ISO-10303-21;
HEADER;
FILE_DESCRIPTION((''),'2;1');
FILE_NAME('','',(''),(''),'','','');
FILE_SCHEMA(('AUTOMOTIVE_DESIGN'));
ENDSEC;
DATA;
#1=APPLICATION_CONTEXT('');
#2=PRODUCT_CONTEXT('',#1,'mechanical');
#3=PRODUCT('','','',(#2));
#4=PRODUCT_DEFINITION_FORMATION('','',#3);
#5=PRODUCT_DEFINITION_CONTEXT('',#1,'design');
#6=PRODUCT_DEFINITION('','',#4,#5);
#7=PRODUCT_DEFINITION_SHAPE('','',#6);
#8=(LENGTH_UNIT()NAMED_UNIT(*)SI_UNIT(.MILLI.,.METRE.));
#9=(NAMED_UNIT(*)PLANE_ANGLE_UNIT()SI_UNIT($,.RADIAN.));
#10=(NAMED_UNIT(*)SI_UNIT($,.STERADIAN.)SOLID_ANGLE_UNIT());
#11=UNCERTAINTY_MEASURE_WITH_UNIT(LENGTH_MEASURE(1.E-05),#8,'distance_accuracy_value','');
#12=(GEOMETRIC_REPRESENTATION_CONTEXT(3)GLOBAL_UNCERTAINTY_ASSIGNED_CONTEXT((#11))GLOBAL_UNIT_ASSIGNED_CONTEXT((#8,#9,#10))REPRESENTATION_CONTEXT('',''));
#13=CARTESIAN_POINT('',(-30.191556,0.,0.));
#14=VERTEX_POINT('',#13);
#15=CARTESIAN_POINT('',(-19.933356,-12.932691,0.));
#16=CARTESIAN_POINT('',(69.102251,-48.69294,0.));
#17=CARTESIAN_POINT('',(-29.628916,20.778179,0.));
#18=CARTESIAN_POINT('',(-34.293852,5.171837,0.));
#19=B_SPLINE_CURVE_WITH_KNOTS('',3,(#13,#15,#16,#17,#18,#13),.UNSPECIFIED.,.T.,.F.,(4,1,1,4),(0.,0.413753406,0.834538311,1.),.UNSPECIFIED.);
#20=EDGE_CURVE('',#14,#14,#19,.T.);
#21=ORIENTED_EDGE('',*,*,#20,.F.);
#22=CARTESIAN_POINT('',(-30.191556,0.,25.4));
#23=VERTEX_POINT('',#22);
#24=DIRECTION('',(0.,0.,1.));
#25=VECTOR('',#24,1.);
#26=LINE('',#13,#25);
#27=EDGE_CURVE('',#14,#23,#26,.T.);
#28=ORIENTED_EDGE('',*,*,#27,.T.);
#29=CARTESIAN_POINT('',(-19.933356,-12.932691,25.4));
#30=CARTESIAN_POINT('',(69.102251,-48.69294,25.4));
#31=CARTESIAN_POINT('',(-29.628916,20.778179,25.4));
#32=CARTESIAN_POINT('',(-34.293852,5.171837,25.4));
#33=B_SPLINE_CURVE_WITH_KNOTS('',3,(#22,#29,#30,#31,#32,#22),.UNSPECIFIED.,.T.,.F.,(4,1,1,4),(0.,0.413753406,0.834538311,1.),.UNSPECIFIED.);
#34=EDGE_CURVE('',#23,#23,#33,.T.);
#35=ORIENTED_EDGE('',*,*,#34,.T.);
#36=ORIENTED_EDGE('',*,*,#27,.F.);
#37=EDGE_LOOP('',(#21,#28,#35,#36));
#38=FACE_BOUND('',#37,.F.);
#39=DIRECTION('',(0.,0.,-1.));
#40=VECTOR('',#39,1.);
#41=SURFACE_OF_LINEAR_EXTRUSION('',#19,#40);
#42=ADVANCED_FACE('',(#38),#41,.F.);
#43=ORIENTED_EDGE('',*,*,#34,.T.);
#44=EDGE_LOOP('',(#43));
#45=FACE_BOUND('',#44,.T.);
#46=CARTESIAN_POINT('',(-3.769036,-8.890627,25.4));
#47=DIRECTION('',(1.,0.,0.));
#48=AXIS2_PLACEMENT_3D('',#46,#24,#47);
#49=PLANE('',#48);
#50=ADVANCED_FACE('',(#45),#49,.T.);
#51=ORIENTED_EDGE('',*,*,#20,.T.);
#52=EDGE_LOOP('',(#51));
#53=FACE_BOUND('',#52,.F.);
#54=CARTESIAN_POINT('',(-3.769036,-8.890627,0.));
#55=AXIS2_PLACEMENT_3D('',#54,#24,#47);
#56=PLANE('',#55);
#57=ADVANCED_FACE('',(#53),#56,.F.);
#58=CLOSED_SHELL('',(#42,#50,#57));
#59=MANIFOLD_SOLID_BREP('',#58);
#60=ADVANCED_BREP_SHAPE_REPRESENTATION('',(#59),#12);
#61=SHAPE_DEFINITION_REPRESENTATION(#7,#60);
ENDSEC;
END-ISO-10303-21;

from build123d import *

# Parameters (mm, degrees)
F1_DEPTH = 25.4


with BuildPart() as f1:
    # F0 (on Top) → F1 (new body)
    with BuildSketch(Plane.XY):
        with BuildLine():
            add(Edge.make_bspline(
                [(-30.1915556192, 0), (-19.9333561398, -12.9326914884), (69.1022511194, -48.6929404098), (-29.6289157408, 20.778178555), (-34.2938517979, 5.1718365371), (-30.1915556192, 0)],
                knots=[0, 0, 0, 0, 0.4137534056, 0.8345383107, 1, 1, 1, 1], degree=3))
        make_face()
    extrude(amount=F1_DEPTH)


solid = f1.part
